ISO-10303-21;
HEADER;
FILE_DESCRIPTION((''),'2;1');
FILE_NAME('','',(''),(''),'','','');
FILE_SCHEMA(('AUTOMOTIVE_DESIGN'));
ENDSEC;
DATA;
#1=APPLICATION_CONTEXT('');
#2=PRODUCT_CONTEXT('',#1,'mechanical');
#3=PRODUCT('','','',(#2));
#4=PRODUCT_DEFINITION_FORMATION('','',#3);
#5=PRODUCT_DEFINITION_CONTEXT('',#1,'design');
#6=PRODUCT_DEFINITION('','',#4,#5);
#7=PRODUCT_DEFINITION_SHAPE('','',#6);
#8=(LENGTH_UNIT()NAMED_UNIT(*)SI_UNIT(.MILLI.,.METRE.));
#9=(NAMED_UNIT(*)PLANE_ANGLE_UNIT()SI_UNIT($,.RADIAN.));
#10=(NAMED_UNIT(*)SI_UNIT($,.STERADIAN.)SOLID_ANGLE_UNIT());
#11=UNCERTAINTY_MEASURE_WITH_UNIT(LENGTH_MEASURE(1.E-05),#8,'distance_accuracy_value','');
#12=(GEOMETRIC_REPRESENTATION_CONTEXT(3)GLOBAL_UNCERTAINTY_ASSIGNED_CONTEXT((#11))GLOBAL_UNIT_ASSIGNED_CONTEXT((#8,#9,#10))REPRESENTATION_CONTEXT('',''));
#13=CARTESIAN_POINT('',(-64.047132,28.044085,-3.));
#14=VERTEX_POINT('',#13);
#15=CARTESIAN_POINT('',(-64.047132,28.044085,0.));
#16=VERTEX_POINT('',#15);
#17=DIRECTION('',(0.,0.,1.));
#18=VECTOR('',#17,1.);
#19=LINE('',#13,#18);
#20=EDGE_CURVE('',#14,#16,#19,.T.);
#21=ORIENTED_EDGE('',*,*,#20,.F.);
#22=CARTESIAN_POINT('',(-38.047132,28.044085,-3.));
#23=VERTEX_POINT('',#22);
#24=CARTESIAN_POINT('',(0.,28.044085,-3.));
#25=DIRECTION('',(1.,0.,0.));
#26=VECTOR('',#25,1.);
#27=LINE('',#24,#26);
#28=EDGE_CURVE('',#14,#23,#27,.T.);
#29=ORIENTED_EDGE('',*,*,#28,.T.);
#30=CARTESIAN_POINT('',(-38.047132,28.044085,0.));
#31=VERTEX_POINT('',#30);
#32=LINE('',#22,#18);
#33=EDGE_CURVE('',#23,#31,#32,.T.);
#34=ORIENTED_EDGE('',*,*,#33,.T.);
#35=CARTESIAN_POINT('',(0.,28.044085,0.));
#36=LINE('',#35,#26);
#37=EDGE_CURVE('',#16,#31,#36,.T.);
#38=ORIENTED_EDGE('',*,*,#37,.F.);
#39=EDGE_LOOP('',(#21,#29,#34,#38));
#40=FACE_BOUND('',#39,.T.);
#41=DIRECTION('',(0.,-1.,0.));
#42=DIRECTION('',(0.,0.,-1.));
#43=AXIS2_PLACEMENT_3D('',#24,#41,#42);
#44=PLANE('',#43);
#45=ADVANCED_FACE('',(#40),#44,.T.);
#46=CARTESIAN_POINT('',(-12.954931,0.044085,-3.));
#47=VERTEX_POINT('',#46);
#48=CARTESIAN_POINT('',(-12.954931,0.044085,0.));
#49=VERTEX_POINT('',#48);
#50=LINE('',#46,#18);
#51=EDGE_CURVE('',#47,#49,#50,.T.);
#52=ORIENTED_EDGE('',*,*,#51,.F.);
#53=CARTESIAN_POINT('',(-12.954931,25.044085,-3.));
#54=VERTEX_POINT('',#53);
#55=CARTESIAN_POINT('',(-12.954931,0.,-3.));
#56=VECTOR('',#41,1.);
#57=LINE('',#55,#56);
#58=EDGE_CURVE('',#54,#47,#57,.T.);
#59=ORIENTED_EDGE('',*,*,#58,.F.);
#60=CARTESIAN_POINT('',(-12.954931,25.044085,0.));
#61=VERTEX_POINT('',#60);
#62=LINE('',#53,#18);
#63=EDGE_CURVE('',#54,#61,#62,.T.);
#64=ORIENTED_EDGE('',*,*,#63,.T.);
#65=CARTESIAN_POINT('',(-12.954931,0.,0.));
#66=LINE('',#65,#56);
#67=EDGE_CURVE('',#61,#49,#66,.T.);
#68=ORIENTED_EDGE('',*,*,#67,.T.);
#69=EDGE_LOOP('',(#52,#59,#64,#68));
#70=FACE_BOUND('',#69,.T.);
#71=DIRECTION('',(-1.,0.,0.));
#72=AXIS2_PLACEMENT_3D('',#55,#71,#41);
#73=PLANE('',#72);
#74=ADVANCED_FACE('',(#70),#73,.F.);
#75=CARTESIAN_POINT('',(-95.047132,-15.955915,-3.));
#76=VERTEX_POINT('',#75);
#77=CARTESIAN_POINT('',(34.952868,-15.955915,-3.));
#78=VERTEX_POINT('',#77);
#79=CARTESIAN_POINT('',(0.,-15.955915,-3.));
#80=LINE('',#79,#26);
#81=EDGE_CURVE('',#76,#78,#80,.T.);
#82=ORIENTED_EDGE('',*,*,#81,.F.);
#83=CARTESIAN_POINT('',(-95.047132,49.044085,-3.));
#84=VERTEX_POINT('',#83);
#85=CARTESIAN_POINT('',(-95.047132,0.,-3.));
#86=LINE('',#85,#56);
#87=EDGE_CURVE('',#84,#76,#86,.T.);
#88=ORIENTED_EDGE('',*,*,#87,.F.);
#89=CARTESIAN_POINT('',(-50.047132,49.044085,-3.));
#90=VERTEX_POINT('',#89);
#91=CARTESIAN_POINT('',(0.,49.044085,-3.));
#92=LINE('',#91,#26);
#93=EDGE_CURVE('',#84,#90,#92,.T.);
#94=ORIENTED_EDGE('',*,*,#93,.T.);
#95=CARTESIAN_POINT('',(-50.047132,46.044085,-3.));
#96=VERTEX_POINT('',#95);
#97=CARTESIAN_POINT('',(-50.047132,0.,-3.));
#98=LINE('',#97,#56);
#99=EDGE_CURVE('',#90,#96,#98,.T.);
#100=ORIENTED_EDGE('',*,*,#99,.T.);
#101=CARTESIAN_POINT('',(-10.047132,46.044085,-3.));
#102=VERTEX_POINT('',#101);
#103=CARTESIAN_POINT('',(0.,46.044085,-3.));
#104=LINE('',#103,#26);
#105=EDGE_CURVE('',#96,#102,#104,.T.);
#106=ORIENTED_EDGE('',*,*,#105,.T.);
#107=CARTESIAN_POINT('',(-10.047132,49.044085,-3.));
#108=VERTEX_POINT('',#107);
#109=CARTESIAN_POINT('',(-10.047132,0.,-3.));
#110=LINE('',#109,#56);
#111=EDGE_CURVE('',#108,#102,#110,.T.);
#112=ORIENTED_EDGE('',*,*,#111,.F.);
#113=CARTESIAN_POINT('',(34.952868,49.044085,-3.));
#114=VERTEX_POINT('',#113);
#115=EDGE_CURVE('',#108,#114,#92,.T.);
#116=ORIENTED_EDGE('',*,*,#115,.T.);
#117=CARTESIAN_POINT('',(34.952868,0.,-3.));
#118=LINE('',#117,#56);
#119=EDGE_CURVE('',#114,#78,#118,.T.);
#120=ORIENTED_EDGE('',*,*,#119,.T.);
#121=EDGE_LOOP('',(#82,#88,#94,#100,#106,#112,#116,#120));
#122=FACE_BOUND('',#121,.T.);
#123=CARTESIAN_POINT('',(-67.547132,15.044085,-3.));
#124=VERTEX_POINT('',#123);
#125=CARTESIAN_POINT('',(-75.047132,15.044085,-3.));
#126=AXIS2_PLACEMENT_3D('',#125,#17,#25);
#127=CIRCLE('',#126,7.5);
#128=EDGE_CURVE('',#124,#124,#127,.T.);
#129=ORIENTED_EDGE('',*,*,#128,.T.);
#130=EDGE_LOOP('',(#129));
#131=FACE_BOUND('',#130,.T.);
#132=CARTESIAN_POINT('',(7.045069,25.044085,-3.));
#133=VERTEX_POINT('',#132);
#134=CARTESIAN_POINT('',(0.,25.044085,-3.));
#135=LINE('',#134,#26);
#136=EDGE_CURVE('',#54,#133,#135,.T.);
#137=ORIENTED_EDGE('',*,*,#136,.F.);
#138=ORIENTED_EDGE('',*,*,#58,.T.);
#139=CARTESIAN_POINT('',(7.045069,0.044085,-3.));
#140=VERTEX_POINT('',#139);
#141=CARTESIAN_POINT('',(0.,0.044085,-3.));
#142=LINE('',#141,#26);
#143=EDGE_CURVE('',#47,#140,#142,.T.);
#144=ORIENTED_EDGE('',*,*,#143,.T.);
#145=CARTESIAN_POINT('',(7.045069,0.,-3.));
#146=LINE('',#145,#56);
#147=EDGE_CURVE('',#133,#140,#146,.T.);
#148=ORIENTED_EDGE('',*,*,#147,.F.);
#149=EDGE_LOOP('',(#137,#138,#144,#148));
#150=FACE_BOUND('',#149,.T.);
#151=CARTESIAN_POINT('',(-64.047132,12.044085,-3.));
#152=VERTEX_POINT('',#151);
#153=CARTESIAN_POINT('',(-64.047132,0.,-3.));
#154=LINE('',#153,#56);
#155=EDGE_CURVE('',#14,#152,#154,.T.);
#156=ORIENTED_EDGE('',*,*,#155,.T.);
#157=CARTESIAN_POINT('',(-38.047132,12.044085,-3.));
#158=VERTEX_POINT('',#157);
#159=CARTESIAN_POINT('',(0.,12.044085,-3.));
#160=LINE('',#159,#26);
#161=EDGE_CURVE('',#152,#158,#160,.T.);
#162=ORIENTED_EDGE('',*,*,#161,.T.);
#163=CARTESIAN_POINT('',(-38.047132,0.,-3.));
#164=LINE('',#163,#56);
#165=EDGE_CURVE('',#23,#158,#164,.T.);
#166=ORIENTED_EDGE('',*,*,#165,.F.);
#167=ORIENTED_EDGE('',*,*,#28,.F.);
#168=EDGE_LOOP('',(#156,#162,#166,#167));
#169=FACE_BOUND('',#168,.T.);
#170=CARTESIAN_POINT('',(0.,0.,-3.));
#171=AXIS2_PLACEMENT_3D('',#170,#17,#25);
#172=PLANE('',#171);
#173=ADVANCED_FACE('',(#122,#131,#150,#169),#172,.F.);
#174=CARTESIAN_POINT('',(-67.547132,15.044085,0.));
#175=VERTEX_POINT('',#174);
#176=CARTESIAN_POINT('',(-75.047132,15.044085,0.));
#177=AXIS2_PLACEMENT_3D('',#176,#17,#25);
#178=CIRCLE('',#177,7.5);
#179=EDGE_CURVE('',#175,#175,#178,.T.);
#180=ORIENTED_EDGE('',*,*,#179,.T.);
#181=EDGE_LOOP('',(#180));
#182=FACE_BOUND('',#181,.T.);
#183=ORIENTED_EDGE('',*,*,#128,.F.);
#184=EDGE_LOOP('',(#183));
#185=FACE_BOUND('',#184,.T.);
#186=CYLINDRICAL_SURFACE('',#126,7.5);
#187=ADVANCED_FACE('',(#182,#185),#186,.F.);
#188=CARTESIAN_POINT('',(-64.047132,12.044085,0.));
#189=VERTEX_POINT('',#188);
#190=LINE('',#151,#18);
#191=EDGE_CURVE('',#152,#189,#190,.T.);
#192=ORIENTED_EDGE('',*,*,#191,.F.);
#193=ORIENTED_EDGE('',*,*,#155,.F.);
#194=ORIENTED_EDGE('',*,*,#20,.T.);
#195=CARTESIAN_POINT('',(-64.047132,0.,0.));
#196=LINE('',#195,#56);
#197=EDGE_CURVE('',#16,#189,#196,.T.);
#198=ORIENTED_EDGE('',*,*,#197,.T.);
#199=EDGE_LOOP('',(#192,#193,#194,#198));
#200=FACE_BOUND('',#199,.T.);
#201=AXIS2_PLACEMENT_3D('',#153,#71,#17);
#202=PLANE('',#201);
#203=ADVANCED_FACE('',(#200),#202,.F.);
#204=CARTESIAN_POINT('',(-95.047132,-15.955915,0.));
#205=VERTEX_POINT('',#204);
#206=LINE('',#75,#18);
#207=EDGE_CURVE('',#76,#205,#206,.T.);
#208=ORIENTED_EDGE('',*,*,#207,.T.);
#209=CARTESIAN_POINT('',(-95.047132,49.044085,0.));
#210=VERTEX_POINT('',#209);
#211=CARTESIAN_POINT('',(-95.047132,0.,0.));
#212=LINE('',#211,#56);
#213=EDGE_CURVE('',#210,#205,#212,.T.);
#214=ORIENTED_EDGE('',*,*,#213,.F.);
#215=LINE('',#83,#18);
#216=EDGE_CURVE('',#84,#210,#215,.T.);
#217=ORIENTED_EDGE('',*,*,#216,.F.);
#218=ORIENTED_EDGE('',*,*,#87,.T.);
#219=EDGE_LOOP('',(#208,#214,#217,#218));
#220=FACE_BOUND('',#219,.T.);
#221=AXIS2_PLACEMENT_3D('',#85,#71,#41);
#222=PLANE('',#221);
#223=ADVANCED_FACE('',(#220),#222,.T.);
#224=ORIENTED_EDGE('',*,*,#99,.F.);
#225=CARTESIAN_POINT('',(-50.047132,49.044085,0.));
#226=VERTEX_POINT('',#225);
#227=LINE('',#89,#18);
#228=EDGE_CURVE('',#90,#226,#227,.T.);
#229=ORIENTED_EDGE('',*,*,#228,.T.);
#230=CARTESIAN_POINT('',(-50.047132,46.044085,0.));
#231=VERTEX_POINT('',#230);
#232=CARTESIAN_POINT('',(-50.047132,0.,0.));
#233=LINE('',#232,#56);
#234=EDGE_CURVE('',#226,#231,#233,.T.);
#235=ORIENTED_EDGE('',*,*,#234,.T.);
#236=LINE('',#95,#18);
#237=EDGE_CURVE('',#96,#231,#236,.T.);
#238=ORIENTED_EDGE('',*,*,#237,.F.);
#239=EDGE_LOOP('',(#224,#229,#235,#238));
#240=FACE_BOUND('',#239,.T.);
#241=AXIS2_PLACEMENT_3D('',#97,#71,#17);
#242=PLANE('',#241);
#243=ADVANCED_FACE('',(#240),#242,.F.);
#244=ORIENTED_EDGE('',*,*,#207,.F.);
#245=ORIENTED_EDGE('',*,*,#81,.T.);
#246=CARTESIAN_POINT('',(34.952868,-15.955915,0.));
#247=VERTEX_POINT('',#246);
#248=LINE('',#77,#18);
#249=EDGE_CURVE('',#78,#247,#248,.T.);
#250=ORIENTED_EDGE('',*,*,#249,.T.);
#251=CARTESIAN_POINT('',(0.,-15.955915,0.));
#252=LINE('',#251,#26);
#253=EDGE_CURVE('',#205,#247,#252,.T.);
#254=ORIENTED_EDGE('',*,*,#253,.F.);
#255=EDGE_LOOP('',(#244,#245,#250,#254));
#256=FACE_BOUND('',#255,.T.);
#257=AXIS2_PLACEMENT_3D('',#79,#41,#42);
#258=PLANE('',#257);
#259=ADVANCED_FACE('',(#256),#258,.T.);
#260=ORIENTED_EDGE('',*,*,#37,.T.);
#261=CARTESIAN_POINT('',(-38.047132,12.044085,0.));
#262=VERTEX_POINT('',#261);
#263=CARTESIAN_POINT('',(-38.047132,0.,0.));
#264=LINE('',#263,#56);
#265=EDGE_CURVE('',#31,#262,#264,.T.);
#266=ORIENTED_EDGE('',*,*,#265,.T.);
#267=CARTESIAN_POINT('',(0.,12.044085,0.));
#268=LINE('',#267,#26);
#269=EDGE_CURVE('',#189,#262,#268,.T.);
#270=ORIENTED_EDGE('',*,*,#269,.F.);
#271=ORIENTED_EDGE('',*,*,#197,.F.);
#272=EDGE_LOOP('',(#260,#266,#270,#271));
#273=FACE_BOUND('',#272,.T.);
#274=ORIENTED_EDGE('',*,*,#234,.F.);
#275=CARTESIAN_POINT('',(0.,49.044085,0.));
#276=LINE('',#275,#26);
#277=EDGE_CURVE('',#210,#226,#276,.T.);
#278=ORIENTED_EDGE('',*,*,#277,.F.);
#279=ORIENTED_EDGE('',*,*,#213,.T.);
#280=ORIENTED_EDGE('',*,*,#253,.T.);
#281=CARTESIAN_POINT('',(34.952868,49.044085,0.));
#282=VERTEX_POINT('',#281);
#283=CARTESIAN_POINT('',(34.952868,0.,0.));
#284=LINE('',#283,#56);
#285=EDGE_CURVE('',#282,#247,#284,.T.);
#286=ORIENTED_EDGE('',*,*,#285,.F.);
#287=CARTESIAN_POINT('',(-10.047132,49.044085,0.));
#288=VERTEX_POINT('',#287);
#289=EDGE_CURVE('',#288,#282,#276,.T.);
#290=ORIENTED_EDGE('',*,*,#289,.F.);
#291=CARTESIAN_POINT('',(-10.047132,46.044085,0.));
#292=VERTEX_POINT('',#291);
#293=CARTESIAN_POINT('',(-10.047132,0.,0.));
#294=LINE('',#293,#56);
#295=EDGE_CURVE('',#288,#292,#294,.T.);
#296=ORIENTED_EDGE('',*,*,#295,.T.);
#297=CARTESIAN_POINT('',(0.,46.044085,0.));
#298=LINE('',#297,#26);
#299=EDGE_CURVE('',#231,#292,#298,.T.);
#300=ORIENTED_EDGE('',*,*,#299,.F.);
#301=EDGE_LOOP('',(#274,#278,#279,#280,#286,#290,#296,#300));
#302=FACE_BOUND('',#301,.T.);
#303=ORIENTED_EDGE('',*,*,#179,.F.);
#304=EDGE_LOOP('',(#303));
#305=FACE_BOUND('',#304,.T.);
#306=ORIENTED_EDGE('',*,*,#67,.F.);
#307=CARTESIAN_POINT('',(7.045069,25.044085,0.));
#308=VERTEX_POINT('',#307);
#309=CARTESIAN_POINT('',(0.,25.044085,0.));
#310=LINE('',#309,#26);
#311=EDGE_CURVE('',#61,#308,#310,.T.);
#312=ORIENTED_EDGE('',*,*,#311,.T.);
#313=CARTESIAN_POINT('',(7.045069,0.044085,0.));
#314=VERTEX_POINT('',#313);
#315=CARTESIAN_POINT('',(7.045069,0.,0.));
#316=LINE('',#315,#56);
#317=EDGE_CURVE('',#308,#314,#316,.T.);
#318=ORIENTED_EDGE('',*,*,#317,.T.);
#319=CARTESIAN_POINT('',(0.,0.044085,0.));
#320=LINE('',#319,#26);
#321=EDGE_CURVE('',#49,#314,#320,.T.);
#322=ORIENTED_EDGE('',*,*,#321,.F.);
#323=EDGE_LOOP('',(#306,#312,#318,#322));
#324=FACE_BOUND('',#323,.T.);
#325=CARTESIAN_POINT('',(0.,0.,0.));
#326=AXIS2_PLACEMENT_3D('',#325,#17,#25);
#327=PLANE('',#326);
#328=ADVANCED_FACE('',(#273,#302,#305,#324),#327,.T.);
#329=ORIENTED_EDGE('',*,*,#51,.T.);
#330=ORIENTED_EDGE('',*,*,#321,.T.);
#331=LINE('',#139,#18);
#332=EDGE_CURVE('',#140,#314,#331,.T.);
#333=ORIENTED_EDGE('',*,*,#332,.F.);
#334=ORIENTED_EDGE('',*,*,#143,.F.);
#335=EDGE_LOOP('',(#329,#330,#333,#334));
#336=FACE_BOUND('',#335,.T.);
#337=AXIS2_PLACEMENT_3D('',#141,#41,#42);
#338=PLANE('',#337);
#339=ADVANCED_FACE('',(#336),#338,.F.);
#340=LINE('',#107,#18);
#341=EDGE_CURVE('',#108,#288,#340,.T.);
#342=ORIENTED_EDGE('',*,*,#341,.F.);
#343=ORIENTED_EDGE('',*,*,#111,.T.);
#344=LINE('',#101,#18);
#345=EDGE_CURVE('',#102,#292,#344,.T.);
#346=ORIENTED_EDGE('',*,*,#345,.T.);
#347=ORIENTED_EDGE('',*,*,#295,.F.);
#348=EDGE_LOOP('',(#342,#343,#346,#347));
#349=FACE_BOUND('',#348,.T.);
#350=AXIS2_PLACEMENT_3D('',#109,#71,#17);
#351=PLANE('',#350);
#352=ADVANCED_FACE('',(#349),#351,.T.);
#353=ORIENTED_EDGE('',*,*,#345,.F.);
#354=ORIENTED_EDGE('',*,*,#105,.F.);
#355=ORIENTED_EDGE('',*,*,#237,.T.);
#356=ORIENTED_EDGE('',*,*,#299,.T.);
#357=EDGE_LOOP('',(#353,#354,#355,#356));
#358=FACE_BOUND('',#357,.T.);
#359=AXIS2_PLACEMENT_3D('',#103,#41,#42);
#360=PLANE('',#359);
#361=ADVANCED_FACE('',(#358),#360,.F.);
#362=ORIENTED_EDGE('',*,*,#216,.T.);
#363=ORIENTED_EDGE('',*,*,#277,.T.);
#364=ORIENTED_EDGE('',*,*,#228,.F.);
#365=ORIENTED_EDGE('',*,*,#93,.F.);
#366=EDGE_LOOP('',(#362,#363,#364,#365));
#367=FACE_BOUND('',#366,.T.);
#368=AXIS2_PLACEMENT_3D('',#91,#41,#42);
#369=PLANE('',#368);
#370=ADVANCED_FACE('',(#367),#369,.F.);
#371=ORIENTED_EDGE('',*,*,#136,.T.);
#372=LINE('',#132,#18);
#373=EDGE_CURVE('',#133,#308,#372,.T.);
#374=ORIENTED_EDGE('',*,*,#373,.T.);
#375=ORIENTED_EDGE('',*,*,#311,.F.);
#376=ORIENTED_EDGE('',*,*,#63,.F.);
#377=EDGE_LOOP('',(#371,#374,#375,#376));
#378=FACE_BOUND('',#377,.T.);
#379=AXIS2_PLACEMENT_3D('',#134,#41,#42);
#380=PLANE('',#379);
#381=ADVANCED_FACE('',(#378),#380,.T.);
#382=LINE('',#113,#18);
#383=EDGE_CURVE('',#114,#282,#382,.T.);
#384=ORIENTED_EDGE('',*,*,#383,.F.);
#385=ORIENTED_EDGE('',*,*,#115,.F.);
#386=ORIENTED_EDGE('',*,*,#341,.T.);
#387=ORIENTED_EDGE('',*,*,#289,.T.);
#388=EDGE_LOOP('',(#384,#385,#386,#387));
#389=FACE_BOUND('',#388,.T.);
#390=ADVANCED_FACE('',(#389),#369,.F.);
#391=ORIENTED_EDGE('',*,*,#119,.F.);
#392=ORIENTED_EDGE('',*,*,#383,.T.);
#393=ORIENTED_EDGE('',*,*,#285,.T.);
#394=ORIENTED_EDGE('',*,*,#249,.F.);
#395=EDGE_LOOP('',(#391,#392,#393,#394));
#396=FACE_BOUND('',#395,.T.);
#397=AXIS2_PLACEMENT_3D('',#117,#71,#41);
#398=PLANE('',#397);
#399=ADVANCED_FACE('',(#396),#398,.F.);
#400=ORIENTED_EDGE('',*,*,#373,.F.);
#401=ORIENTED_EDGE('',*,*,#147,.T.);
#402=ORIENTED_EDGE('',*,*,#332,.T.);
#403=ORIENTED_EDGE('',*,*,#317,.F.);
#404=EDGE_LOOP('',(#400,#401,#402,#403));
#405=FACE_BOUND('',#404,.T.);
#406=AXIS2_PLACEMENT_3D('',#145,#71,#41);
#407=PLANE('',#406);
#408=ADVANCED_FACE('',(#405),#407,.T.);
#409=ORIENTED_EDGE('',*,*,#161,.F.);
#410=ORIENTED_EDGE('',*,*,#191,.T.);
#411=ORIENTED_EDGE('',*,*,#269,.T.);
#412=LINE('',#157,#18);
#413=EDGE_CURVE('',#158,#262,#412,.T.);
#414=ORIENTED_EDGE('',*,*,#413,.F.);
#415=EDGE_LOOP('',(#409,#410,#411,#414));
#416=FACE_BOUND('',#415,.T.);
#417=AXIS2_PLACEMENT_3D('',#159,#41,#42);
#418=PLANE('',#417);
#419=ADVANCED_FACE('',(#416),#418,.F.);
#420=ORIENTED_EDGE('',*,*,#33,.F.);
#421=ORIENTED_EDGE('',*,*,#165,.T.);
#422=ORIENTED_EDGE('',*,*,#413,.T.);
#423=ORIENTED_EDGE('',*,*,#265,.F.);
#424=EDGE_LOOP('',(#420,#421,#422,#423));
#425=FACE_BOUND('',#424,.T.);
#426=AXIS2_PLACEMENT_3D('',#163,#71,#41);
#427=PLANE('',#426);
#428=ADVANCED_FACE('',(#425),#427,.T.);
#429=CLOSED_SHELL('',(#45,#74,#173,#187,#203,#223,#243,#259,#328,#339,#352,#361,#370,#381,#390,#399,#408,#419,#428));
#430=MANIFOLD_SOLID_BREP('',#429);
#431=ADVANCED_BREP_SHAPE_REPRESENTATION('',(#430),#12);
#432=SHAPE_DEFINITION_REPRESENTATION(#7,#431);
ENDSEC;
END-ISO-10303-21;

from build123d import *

# Parameters (mm, degrees)
ESBO_O2_R                = 7.5
ESBO_O2_W                = 20
ESBO_O2_H                = 25
ESBO_O2_W_2              = 26
ESBO_O2_H_2              = 16
RESSALTO_EXTRUS_O1_DEPTH = 3


with BuildPart() as part:
    # Esboço2 → Ressalto-extrusão1 (new body)
    with BuildSketch(Plane.XY):
        Polygon((-50.047132184, 49.044084736), (-95.047132184, 49.044084736), (-95.047132184, -15.955915264), (34.952867816, -15.955915264), (34.952867816, 49.044084736), (-10.047132184, 49.044084736), (-10.047132184, 46.044084736), (-50.047132184, 46.044084736), align=None)
        with Locations((-75.047132184, 15.044084736)):
            Circle(ESBO_O2_R, mode=Mode.SUBTRACT)
        with Locations((-2.954931, 12.544084736)):
            Rectangle(ESBO_O2_W, ESBO_O2_H, mode=Mode.SUBTRACT)
        with Locations((-51.047132184, 20.044084736)):
            Rectangle(ESBO_O2_W_2, ESBO_O2_H_2, mode=Mode.SUBTRACT)
    extrude(amount=-RESSALTO_EXTRUS_O1_DEPTH)


solid = part.part
